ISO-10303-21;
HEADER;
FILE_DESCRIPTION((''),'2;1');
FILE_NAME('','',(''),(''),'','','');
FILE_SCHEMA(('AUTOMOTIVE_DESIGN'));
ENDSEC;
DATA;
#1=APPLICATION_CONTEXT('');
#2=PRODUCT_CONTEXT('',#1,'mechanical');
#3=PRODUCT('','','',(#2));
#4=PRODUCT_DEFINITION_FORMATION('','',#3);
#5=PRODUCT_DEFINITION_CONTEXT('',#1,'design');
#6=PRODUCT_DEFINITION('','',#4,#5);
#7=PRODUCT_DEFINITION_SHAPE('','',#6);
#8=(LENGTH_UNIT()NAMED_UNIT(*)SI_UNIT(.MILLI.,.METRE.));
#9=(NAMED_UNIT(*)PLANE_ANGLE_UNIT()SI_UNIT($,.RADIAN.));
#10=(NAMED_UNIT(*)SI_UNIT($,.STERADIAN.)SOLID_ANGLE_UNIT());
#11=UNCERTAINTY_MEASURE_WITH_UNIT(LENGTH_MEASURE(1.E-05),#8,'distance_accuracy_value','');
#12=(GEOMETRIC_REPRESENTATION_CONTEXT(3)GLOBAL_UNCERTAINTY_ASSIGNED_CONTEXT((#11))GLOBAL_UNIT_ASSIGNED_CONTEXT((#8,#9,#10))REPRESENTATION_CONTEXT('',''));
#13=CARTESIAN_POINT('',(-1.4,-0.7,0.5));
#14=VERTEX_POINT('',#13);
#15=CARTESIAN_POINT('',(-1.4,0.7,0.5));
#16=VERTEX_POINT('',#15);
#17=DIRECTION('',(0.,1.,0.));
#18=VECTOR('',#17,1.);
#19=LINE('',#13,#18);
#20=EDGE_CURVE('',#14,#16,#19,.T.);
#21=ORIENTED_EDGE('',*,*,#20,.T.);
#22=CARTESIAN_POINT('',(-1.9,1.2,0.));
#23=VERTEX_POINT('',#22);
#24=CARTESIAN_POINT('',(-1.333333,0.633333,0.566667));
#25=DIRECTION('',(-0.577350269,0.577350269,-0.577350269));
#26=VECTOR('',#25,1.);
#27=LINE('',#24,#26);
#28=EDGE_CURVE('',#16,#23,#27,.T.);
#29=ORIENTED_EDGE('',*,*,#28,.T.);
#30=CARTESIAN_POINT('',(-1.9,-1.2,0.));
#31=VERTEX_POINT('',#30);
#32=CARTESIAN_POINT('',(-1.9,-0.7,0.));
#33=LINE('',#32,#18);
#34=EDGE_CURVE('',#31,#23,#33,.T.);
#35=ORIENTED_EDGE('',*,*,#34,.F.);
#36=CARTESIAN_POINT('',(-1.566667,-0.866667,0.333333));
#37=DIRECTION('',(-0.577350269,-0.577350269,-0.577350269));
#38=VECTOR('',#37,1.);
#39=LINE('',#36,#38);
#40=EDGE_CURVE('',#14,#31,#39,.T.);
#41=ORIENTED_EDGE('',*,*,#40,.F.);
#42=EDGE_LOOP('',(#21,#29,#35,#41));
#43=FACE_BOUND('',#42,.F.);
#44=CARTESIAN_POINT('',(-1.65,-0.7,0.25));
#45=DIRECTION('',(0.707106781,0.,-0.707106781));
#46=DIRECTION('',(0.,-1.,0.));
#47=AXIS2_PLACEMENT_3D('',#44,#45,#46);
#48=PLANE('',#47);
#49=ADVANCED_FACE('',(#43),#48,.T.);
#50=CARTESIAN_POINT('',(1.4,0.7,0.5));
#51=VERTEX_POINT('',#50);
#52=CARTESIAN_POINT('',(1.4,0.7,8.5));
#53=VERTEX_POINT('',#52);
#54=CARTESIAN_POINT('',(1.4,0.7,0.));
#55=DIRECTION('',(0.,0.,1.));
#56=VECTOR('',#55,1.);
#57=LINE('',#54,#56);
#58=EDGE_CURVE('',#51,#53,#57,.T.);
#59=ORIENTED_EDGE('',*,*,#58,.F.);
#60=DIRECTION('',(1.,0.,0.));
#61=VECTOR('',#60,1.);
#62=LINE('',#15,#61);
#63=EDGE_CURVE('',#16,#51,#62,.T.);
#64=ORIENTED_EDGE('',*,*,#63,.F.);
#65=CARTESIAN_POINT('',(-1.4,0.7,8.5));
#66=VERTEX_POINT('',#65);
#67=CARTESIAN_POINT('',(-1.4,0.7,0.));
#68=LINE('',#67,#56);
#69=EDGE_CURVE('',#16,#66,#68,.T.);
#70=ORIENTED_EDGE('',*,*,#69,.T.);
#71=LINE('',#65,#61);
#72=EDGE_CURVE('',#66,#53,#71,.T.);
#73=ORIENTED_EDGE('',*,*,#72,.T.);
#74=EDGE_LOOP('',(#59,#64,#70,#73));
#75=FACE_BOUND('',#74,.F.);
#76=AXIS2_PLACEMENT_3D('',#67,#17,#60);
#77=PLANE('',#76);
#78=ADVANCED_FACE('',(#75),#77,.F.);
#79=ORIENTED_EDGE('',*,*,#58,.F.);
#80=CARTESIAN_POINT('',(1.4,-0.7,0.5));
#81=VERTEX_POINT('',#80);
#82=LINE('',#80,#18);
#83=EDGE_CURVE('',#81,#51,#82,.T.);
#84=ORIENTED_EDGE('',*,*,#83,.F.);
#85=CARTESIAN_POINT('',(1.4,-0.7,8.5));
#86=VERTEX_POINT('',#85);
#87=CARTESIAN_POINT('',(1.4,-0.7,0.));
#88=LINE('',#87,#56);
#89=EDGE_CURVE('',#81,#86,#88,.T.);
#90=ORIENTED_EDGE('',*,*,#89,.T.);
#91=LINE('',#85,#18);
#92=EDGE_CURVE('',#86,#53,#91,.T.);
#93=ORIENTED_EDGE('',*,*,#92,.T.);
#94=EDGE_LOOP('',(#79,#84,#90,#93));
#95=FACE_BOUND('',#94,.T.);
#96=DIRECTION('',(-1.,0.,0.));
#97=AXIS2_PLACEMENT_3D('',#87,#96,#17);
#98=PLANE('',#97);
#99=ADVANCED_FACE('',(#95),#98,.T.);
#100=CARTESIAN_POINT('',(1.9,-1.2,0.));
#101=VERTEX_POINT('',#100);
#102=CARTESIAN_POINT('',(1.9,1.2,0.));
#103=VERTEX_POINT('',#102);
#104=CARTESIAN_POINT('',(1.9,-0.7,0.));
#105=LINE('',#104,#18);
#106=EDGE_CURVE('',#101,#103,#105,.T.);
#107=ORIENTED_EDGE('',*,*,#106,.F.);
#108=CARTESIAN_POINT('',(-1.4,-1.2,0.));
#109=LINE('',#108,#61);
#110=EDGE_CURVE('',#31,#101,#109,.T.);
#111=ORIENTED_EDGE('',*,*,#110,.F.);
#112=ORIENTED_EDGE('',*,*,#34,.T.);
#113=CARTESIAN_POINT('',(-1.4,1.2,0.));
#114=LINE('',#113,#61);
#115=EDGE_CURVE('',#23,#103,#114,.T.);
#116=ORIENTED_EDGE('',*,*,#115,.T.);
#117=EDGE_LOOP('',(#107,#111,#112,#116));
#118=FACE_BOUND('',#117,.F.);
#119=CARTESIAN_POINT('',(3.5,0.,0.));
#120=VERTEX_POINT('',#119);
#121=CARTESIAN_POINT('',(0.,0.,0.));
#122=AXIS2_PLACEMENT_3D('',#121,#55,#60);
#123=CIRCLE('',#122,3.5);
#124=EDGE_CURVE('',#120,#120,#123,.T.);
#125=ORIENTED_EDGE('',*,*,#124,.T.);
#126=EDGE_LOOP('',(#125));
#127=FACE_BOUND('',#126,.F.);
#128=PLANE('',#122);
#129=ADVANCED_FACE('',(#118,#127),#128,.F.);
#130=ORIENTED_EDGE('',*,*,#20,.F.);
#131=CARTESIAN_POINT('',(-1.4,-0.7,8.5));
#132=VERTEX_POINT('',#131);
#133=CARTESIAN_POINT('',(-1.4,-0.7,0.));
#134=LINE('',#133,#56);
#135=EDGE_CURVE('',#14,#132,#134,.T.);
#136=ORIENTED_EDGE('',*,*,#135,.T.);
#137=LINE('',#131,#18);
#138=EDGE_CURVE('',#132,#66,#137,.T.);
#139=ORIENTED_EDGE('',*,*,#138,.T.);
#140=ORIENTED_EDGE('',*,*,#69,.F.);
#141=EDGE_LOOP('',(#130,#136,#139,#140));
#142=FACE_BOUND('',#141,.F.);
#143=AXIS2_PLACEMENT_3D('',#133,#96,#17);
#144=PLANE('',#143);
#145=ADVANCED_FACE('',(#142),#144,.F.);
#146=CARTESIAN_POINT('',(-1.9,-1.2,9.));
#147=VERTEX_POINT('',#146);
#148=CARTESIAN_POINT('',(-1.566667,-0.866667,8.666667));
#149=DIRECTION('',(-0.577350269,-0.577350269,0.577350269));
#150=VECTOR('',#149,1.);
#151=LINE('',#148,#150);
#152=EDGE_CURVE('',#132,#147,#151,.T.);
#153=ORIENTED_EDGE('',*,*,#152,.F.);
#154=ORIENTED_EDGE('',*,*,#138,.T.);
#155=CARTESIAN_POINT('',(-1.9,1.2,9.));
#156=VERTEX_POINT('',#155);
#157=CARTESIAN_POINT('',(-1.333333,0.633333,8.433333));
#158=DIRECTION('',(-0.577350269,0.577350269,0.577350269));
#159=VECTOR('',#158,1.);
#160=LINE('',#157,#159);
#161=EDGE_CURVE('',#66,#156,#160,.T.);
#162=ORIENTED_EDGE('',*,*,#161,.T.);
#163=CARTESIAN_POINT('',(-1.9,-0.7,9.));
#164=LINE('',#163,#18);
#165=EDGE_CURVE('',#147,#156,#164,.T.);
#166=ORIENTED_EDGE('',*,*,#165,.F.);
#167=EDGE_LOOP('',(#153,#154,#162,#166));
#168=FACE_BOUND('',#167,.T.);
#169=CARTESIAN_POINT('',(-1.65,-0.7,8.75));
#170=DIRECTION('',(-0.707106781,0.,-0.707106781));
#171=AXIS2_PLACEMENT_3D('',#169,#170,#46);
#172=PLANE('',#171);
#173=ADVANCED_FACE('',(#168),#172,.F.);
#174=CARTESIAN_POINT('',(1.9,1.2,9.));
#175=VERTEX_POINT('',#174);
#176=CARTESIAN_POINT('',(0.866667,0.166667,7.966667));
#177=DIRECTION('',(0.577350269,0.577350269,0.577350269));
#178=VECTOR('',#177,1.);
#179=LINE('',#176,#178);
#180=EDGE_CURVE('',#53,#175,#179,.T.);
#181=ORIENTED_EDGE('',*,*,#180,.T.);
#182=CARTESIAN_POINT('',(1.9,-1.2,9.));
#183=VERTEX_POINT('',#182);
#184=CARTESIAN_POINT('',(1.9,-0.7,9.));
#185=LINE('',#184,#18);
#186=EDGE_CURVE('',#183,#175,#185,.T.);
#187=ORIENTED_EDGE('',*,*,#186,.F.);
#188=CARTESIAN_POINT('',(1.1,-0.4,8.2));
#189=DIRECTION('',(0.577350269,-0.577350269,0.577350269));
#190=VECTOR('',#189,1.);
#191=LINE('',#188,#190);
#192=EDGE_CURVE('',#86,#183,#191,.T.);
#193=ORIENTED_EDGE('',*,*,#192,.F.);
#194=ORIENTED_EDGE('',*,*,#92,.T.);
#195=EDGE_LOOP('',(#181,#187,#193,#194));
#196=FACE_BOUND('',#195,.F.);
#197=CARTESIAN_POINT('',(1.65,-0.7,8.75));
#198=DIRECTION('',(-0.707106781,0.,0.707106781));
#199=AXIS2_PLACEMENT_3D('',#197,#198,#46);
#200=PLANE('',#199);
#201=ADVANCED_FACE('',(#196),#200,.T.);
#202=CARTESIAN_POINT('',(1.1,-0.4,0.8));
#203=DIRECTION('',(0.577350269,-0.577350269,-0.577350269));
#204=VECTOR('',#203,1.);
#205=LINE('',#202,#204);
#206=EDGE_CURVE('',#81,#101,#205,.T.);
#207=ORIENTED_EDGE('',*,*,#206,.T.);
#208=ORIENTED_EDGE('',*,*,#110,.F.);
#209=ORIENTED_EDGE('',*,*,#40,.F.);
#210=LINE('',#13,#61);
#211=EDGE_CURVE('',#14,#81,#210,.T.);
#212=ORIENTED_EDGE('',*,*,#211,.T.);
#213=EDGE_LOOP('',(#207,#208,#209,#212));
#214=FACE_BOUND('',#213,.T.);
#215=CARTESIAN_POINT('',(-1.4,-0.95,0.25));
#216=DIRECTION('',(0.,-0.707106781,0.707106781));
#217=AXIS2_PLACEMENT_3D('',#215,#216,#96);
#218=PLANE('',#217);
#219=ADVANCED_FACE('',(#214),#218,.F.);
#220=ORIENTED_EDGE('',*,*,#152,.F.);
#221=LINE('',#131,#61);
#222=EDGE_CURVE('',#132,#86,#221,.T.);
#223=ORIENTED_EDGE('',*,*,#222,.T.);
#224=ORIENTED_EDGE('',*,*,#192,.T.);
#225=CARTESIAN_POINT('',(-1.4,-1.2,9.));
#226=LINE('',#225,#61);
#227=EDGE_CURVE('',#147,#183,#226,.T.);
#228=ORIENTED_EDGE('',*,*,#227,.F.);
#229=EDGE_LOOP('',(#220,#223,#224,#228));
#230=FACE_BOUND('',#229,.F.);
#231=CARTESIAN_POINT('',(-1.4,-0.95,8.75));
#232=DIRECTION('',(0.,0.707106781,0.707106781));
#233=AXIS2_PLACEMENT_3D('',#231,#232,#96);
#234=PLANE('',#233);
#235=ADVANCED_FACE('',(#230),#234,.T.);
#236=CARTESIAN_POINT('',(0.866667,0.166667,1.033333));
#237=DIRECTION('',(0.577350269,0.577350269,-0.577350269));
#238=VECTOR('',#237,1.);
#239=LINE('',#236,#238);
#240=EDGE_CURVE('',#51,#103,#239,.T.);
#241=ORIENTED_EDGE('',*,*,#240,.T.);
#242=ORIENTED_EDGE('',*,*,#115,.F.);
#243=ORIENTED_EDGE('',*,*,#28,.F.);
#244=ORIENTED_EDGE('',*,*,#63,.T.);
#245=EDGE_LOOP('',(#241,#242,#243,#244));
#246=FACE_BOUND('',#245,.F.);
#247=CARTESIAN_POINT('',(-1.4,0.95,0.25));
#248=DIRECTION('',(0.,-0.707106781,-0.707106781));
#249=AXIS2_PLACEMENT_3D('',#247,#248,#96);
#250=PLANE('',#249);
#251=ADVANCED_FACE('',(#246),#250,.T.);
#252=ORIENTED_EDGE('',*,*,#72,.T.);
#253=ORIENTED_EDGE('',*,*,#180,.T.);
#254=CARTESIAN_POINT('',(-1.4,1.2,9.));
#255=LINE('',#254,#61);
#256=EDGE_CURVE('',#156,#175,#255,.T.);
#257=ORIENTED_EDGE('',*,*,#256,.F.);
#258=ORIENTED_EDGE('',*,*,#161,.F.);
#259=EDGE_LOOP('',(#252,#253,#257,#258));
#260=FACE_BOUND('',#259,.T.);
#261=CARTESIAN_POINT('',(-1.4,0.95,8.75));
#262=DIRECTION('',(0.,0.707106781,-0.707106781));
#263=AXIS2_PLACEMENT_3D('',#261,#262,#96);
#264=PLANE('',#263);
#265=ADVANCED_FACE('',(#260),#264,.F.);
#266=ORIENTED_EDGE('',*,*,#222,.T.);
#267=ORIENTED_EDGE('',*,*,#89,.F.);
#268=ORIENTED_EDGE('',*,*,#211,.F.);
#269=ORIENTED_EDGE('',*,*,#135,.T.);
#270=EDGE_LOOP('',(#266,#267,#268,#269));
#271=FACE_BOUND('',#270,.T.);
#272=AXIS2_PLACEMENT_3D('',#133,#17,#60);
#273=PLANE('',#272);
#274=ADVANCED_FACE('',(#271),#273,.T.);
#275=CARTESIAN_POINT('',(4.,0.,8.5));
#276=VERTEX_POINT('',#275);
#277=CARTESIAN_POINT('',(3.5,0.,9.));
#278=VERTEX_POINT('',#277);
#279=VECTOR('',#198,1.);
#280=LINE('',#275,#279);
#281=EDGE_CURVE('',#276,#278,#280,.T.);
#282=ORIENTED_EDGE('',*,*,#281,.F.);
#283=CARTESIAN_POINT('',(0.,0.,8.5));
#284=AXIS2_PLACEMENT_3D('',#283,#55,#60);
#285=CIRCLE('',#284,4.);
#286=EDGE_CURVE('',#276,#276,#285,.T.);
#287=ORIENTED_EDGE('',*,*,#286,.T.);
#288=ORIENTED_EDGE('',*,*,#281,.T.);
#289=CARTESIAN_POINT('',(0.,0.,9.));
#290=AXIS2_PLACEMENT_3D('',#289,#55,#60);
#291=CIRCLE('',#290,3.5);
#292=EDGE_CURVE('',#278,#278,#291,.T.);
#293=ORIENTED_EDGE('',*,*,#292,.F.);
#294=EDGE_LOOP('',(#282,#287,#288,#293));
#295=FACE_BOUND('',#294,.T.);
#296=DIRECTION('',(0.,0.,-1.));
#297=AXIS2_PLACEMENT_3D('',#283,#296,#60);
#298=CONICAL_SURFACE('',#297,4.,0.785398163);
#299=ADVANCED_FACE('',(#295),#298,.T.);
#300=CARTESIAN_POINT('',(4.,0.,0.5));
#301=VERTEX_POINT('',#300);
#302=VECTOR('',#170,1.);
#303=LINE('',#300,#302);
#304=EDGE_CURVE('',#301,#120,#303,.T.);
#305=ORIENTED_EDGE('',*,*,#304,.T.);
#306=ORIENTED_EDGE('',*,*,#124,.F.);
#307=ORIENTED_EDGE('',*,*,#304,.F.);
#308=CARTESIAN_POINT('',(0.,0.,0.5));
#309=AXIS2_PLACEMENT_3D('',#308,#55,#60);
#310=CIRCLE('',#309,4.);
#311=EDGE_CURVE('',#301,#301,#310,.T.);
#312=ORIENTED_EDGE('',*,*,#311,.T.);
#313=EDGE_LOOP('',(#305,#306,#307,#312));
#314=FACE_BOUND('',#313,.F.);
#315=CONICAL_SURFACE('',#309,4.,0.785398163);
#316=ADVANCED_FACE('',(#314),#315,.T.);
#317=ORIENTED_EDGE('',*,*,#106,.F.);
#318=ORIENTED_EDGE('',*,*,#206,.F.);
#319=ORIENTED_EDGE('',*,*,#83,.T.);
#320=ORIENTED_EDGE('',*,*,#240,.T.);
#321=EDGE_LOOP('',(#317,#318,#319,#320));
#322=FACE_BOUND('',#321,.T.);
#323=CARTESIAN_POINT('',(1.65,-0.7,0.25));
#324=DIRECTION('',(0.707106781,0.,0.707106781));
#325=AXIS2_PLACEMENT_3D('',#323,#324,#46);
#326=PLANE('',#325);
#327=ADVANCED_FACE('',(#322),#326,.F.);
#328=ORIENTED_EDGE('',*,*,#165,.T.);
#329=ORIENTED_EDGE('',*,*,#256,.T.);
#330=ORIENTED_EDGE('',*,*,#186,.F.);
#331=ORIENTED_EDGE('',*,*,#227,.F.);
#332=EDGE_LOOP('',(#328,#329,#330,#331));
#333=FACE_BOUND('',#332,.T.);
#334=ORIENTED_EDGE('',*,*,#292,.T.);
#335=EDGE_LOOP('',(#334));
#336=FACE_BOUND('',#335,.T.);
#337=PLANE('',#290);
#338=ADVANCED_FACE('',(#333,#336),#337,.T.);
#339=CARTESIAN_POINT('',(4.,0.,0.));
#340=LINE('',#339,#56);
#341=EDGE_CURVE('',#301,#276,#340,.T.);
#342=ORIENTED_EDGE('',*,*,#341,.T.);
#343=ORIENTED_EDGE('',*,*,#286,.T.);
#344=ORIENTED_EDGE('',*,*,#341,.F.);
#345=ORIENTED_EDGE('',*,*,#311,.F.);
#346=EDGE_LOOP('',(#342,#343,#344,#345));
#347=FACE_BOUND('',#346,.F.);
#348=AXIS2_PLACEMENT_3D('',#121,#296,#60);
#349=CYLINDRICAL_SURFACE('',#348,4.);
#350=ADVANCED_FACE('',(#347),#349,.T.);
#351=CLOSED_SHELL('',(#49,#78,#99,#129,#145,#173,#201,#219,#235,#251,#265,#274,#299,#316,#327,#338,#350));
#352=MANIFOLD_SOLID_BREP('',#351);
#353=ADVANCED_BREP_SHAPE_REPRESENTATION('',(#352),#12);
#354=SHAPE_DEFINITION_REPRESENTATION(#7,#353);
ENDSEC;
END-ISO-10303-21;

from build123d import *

# Parameters (mm, degrees)
F0_R     = 4
F0_W     = 2.8
F0_H     = 1.4
F1_DEPTH = 9
F2_SIZE  = 0.5


with BuildPart() as f1:
    # F0 (on Top) → F1 (new body)
    with BuildSketch(Plane.XY):
        Circle(F0_R)
        Rectangle(F0_W, F0_H, mode=Mode.SUBTRACT)
    extrude(amount=F1_DEPTH)

    # F2
    f2_edges = [f1.edges().sort_by_distance(p)[0] for p in [
        (-4, 0, 9),
        (-4, 0, 0),
        (1.4, 0, 0),
        (0, 0.7, 0),
        (-1.4, 0, 0),
        (0, -0.7, 0),
        (0, 0.7, 9),
        (1.4, 0, 9),
        (-1.4, 0, 9),
        (0, -0.7, 9),
    ]]
    chamfer(f2_edges, length=F2_SIZE)


solid = f1.part
